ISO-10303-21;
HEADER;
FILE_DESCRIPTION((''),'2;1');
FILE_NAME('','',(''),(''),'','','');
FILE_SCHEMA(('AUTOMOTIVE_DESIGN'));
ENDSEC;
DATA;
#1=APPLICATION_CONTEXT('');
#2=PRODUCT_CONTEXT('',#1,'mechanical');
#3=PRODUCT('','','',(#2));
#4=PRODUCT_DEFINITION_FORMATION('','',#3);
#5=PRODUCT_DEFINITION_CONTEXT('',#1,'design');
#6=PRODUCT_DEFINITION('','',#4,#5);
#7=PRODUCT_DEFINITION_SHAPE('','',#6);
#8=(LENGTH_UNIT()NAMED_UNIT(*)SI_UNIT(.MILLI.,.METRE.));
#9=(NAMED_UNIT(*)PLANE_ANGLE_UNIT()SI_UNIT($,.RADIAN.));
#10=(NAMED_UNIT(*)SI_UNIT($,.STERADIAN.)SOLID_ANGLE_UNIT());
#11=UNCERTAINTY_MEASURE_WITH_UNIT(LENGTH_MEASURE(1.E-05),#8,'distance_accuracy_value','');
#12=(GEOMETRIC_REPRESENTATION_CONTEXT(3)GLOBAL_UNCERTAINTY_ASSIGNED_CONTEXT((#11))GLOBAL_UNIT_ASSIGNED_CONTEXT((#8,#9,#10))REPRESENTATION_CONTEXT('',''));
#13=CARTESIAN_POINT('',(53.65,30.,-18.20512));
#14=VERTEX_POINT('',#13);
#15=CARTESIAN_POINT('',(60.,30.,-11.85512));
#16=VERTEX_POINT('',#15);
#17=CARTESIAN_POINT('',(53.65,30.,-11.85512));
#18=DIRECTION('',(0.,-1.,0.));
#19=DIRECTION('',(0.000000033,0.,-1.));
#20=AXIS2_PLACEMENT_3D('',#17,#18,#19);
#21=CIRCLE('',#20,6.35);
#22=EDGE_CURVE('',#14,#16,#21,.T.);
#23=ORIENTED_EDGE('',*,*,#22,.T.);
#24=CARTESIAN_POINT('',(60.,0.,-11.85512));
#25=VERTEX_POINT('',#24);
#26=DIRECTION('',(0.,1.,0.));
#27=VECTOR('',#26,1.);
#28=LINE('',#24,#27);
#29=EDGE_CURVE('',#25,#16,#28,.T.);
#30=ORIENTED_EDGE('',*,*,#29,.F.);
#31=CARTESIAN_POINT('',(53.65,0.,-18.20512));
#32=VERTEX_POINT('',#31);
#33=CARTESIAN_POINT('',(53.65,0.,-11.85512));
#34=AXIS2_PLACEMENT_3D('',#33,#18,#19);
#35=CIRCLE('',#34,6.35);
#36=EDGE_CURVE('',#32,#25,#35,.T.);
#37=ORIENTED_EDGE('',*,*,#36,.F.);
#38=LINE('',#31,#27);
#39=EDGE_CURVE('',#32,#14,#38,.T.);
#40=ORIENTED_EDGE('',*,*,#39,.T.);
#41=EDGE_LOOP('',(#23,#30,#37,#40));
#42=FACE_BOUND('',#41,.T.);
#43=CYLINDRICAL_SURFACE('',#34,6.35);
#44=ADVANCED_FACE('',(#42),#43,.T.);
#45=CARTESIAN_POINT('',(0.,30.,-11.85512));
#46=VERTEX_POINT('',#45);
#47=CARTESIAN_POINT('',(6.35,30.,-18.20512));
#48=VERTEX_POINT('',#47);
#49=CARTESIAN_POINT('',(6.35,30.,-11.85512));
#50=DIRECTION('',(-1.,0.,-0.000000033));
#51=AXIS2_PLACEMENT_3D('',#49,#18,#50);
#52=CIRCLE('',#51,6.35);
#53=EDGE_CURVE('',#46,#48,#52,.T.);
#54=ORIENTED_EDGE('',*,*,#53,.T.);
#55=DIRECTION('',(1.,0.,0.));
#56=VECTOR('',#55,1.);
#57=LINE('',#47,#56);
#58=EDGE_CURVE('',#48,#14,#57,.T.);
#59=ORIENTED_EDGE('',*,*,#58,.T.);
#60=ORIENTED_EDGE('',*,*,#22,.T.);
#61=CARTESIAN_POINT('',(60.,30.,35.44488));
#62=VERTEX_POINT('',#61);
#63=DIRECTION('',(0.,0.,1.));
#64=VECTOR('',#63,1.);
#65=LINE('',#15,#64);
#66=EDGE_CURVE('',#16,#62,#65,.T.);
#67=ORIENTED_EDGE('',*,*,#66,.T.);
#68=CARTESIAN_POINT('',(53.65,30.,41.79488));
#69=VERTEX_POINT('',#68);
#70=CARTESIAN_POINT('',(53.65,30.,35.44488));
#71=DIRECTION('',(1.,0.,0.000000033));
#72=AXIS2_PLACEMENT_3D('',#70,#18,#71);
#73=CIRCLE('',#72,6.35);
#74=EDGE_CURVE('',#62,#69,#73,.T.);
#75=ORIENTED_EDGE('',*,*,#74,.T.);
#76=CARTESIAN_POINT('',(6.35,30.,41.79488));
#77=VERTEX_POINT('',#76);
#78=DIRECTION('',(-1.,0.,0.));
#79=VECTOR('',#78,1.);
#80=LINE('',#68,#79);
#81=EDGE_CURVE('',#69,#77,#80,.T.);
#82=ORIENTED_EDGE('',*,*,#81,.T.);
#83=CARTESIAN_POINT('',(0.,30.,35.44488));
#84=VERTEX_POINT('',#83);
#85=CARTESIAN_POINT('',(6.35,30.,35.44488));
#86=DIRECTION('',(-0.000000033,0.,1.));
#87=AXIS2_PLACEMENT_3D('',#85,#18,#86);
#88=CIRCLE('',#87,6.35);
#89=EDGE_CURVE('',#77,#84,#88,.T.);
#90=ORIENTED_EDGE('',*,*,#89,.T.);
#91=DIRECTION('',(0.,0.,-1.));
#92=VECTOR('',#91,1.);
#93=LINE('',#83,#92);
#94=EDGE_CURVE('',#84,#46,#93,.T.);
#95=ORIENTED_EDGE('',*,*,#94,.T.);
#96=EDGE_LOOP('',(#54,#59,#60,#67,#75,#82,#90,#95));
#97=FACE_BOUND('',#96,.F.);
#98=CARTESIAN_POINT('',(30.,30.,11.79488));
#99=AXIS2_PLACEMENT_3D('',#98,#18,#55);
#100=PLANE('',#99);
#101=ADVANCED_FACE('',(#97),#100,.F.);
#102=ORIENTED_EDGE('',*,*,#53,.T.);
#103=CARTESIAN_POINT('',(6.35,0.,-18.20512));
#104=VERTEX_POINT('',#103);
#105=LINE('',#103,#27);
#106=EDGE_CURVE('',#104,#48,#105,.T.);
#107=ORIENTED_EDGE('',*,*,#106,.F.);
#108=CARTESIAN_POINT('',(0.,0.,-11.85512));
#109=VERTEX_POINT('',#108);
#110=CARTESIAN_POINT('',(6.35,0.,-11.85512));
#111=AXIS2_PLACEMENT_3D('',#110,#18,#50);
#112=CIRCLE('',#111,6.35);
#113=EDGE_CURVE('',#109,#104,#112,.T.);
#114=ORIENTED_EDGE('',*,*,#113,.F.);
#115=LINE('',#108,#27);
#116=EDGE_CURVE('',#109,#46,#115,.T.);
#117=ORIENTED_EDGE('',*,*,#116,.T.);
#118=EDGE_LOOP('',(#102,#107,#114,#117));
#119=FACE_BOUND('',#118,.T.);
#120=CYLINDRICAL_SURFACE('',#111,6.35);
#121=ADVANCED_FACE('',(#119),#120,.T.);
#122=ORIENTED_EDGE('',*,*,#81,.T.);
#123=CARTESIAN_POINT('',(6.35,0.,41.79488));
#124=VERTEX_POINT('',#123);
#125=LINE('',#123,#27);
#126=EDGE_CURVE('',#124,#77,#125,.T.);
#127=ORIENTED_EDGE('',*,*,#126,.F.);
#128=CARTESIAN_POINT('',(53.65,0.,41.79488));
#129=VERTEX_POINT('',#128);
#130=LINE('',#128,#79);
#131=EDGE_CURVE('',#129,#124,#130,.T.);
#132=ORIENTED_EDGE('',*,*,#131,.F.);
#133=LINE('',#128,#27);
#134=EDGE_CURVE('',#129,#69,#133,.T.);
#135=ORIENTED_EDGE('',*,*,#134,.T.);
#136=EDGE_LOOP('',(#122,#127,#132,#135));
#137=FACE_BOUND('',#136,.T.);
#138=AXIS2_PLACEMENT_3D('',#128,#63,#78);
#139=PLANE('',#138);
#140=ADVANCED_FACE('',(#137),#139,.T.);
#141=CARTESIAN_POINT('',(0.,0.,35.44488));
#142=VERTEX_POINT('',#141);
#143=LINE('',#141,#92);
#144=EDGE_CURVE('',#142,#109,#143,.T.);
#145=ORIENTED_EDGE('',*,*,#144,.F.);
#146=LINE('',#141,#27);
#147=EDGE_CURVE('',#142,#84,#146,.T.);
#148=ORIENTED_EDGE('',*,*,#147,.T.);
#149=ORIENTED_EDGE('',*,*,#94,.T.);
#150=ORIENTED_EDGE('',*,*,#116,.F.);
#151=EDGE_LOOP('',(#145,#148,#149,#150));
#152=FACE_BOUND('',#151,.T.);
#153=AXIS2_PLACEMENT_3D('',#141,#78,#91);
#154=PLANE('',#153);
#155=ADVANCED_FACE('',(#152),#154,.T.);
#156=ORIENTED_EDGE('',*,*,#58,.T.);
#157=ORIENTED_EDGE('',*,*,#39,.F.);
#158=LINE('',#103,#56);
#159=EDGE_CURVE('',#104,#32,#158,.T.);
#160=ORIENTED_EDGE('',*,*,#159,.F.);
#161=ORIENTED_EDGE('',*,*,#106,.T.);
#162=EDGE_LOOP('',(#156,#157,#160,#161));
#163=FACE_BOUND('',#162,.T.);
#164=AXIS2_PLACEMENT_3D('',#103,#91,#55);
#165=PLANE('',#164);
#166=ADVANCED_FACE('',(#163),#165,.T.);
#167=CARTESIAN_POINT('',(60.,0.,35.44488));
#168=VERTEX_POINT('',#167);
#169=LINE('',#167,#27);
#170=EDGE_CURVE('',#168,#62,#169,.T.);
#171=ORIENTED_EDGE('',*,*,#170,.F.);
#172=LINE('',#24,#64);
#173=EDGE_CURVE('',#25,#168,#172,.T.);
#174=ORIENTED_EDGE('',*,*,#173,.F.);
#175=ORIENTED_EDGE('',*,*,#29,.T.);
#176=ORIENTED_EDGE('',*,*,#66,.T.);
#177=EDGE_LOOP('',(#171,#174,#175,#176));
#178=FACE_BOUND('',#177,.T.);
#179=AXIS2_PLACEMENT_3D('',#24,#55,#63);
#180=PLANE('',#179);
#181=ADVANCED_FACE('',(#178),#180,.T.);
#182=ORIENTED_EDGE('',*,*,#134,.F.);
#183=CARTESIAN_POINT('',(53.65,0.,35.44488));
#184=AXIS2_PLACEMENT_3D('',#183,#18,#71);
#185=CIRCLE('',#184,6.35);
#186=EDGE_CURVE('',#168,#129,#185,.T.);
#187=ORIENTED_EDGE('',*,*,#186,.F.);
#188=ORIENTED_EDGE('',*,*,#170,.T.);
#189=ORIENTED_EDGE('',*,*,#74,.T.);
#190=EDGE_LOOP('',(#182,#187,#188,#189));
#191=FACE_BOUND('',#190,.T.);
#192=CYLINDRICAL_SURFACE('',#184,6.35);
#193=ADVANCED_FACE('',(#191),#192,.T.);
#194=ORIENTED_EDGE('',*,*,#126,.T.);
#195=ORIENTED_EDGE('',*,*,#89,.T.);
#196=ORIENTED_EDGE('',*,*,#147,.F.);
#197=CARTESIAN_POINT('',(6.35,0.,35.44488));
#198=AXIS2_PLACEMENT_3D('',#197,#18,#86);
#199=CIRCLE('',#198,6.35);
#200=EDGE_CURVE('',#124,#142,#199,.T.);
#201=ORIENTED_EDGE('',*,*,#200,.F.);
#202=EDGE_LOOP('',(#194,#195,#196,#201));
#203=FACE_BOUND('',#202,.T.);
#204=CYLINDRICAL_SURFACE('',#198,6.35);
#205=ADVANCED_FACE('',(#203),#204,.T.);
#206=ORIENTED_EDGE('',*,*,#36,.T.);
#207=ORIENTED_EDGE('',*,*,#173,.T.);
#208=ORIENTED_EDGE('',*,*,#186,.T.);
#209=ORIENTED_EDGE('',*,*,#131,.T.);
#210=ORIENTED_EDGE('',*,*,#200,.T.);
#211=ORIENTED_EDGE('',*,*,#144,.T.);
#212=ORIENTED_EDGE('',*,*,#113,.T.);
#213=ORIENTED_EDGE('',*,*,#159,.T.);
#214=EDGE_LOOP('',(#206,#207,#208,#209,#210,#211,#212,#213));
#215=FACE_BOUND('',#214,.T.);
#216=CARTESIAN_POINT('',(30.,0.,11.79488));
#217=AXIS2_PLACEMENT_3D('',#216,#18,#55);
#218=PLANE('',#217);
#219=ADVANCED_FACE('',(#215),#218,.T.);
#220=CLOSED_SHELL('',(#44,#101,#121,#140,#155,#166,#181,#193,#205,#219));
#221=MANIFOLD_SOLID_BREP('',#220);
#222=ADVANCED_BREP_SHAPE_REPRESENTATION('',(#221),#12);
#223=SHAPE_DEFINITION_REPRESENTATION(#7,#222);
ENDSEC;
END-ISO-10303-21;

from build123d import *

# Parameters (mm, degrees)
F1_DEPTH = 30


with BuildPart() as f1:
    # F0 (on Front) → F1 (new body)
    with BuildSketch(Plane.XZ):
        with BuildLine():
            Line((53.65, 41.79488), (6.35, 41.79488))
            ThreePointArc((6.35, 41.79488), (1.859872, 39.935008), (0, 35.44488))
            Line((0, 35.44488), (0, -11.85512))
            ThreePointArc((0, -11.85512), (1.859872, -16.345248), (6.35, -18.20512))
            Line((6.35, -18.20512), (53.65, -18.20512))
            ThreePointArc((53.65, -18.20512), (58.140128, -16.345248), (60, -11.85512))
            Line((60, -11.85512), (60, 35.44488))
            ThreePointArc((60, 35.44488), (58.140128, 39.935008), (53.65, 41.79488))
        make_face()
    extrude(amount=-F1_DEPTH)


solid = f1.part
